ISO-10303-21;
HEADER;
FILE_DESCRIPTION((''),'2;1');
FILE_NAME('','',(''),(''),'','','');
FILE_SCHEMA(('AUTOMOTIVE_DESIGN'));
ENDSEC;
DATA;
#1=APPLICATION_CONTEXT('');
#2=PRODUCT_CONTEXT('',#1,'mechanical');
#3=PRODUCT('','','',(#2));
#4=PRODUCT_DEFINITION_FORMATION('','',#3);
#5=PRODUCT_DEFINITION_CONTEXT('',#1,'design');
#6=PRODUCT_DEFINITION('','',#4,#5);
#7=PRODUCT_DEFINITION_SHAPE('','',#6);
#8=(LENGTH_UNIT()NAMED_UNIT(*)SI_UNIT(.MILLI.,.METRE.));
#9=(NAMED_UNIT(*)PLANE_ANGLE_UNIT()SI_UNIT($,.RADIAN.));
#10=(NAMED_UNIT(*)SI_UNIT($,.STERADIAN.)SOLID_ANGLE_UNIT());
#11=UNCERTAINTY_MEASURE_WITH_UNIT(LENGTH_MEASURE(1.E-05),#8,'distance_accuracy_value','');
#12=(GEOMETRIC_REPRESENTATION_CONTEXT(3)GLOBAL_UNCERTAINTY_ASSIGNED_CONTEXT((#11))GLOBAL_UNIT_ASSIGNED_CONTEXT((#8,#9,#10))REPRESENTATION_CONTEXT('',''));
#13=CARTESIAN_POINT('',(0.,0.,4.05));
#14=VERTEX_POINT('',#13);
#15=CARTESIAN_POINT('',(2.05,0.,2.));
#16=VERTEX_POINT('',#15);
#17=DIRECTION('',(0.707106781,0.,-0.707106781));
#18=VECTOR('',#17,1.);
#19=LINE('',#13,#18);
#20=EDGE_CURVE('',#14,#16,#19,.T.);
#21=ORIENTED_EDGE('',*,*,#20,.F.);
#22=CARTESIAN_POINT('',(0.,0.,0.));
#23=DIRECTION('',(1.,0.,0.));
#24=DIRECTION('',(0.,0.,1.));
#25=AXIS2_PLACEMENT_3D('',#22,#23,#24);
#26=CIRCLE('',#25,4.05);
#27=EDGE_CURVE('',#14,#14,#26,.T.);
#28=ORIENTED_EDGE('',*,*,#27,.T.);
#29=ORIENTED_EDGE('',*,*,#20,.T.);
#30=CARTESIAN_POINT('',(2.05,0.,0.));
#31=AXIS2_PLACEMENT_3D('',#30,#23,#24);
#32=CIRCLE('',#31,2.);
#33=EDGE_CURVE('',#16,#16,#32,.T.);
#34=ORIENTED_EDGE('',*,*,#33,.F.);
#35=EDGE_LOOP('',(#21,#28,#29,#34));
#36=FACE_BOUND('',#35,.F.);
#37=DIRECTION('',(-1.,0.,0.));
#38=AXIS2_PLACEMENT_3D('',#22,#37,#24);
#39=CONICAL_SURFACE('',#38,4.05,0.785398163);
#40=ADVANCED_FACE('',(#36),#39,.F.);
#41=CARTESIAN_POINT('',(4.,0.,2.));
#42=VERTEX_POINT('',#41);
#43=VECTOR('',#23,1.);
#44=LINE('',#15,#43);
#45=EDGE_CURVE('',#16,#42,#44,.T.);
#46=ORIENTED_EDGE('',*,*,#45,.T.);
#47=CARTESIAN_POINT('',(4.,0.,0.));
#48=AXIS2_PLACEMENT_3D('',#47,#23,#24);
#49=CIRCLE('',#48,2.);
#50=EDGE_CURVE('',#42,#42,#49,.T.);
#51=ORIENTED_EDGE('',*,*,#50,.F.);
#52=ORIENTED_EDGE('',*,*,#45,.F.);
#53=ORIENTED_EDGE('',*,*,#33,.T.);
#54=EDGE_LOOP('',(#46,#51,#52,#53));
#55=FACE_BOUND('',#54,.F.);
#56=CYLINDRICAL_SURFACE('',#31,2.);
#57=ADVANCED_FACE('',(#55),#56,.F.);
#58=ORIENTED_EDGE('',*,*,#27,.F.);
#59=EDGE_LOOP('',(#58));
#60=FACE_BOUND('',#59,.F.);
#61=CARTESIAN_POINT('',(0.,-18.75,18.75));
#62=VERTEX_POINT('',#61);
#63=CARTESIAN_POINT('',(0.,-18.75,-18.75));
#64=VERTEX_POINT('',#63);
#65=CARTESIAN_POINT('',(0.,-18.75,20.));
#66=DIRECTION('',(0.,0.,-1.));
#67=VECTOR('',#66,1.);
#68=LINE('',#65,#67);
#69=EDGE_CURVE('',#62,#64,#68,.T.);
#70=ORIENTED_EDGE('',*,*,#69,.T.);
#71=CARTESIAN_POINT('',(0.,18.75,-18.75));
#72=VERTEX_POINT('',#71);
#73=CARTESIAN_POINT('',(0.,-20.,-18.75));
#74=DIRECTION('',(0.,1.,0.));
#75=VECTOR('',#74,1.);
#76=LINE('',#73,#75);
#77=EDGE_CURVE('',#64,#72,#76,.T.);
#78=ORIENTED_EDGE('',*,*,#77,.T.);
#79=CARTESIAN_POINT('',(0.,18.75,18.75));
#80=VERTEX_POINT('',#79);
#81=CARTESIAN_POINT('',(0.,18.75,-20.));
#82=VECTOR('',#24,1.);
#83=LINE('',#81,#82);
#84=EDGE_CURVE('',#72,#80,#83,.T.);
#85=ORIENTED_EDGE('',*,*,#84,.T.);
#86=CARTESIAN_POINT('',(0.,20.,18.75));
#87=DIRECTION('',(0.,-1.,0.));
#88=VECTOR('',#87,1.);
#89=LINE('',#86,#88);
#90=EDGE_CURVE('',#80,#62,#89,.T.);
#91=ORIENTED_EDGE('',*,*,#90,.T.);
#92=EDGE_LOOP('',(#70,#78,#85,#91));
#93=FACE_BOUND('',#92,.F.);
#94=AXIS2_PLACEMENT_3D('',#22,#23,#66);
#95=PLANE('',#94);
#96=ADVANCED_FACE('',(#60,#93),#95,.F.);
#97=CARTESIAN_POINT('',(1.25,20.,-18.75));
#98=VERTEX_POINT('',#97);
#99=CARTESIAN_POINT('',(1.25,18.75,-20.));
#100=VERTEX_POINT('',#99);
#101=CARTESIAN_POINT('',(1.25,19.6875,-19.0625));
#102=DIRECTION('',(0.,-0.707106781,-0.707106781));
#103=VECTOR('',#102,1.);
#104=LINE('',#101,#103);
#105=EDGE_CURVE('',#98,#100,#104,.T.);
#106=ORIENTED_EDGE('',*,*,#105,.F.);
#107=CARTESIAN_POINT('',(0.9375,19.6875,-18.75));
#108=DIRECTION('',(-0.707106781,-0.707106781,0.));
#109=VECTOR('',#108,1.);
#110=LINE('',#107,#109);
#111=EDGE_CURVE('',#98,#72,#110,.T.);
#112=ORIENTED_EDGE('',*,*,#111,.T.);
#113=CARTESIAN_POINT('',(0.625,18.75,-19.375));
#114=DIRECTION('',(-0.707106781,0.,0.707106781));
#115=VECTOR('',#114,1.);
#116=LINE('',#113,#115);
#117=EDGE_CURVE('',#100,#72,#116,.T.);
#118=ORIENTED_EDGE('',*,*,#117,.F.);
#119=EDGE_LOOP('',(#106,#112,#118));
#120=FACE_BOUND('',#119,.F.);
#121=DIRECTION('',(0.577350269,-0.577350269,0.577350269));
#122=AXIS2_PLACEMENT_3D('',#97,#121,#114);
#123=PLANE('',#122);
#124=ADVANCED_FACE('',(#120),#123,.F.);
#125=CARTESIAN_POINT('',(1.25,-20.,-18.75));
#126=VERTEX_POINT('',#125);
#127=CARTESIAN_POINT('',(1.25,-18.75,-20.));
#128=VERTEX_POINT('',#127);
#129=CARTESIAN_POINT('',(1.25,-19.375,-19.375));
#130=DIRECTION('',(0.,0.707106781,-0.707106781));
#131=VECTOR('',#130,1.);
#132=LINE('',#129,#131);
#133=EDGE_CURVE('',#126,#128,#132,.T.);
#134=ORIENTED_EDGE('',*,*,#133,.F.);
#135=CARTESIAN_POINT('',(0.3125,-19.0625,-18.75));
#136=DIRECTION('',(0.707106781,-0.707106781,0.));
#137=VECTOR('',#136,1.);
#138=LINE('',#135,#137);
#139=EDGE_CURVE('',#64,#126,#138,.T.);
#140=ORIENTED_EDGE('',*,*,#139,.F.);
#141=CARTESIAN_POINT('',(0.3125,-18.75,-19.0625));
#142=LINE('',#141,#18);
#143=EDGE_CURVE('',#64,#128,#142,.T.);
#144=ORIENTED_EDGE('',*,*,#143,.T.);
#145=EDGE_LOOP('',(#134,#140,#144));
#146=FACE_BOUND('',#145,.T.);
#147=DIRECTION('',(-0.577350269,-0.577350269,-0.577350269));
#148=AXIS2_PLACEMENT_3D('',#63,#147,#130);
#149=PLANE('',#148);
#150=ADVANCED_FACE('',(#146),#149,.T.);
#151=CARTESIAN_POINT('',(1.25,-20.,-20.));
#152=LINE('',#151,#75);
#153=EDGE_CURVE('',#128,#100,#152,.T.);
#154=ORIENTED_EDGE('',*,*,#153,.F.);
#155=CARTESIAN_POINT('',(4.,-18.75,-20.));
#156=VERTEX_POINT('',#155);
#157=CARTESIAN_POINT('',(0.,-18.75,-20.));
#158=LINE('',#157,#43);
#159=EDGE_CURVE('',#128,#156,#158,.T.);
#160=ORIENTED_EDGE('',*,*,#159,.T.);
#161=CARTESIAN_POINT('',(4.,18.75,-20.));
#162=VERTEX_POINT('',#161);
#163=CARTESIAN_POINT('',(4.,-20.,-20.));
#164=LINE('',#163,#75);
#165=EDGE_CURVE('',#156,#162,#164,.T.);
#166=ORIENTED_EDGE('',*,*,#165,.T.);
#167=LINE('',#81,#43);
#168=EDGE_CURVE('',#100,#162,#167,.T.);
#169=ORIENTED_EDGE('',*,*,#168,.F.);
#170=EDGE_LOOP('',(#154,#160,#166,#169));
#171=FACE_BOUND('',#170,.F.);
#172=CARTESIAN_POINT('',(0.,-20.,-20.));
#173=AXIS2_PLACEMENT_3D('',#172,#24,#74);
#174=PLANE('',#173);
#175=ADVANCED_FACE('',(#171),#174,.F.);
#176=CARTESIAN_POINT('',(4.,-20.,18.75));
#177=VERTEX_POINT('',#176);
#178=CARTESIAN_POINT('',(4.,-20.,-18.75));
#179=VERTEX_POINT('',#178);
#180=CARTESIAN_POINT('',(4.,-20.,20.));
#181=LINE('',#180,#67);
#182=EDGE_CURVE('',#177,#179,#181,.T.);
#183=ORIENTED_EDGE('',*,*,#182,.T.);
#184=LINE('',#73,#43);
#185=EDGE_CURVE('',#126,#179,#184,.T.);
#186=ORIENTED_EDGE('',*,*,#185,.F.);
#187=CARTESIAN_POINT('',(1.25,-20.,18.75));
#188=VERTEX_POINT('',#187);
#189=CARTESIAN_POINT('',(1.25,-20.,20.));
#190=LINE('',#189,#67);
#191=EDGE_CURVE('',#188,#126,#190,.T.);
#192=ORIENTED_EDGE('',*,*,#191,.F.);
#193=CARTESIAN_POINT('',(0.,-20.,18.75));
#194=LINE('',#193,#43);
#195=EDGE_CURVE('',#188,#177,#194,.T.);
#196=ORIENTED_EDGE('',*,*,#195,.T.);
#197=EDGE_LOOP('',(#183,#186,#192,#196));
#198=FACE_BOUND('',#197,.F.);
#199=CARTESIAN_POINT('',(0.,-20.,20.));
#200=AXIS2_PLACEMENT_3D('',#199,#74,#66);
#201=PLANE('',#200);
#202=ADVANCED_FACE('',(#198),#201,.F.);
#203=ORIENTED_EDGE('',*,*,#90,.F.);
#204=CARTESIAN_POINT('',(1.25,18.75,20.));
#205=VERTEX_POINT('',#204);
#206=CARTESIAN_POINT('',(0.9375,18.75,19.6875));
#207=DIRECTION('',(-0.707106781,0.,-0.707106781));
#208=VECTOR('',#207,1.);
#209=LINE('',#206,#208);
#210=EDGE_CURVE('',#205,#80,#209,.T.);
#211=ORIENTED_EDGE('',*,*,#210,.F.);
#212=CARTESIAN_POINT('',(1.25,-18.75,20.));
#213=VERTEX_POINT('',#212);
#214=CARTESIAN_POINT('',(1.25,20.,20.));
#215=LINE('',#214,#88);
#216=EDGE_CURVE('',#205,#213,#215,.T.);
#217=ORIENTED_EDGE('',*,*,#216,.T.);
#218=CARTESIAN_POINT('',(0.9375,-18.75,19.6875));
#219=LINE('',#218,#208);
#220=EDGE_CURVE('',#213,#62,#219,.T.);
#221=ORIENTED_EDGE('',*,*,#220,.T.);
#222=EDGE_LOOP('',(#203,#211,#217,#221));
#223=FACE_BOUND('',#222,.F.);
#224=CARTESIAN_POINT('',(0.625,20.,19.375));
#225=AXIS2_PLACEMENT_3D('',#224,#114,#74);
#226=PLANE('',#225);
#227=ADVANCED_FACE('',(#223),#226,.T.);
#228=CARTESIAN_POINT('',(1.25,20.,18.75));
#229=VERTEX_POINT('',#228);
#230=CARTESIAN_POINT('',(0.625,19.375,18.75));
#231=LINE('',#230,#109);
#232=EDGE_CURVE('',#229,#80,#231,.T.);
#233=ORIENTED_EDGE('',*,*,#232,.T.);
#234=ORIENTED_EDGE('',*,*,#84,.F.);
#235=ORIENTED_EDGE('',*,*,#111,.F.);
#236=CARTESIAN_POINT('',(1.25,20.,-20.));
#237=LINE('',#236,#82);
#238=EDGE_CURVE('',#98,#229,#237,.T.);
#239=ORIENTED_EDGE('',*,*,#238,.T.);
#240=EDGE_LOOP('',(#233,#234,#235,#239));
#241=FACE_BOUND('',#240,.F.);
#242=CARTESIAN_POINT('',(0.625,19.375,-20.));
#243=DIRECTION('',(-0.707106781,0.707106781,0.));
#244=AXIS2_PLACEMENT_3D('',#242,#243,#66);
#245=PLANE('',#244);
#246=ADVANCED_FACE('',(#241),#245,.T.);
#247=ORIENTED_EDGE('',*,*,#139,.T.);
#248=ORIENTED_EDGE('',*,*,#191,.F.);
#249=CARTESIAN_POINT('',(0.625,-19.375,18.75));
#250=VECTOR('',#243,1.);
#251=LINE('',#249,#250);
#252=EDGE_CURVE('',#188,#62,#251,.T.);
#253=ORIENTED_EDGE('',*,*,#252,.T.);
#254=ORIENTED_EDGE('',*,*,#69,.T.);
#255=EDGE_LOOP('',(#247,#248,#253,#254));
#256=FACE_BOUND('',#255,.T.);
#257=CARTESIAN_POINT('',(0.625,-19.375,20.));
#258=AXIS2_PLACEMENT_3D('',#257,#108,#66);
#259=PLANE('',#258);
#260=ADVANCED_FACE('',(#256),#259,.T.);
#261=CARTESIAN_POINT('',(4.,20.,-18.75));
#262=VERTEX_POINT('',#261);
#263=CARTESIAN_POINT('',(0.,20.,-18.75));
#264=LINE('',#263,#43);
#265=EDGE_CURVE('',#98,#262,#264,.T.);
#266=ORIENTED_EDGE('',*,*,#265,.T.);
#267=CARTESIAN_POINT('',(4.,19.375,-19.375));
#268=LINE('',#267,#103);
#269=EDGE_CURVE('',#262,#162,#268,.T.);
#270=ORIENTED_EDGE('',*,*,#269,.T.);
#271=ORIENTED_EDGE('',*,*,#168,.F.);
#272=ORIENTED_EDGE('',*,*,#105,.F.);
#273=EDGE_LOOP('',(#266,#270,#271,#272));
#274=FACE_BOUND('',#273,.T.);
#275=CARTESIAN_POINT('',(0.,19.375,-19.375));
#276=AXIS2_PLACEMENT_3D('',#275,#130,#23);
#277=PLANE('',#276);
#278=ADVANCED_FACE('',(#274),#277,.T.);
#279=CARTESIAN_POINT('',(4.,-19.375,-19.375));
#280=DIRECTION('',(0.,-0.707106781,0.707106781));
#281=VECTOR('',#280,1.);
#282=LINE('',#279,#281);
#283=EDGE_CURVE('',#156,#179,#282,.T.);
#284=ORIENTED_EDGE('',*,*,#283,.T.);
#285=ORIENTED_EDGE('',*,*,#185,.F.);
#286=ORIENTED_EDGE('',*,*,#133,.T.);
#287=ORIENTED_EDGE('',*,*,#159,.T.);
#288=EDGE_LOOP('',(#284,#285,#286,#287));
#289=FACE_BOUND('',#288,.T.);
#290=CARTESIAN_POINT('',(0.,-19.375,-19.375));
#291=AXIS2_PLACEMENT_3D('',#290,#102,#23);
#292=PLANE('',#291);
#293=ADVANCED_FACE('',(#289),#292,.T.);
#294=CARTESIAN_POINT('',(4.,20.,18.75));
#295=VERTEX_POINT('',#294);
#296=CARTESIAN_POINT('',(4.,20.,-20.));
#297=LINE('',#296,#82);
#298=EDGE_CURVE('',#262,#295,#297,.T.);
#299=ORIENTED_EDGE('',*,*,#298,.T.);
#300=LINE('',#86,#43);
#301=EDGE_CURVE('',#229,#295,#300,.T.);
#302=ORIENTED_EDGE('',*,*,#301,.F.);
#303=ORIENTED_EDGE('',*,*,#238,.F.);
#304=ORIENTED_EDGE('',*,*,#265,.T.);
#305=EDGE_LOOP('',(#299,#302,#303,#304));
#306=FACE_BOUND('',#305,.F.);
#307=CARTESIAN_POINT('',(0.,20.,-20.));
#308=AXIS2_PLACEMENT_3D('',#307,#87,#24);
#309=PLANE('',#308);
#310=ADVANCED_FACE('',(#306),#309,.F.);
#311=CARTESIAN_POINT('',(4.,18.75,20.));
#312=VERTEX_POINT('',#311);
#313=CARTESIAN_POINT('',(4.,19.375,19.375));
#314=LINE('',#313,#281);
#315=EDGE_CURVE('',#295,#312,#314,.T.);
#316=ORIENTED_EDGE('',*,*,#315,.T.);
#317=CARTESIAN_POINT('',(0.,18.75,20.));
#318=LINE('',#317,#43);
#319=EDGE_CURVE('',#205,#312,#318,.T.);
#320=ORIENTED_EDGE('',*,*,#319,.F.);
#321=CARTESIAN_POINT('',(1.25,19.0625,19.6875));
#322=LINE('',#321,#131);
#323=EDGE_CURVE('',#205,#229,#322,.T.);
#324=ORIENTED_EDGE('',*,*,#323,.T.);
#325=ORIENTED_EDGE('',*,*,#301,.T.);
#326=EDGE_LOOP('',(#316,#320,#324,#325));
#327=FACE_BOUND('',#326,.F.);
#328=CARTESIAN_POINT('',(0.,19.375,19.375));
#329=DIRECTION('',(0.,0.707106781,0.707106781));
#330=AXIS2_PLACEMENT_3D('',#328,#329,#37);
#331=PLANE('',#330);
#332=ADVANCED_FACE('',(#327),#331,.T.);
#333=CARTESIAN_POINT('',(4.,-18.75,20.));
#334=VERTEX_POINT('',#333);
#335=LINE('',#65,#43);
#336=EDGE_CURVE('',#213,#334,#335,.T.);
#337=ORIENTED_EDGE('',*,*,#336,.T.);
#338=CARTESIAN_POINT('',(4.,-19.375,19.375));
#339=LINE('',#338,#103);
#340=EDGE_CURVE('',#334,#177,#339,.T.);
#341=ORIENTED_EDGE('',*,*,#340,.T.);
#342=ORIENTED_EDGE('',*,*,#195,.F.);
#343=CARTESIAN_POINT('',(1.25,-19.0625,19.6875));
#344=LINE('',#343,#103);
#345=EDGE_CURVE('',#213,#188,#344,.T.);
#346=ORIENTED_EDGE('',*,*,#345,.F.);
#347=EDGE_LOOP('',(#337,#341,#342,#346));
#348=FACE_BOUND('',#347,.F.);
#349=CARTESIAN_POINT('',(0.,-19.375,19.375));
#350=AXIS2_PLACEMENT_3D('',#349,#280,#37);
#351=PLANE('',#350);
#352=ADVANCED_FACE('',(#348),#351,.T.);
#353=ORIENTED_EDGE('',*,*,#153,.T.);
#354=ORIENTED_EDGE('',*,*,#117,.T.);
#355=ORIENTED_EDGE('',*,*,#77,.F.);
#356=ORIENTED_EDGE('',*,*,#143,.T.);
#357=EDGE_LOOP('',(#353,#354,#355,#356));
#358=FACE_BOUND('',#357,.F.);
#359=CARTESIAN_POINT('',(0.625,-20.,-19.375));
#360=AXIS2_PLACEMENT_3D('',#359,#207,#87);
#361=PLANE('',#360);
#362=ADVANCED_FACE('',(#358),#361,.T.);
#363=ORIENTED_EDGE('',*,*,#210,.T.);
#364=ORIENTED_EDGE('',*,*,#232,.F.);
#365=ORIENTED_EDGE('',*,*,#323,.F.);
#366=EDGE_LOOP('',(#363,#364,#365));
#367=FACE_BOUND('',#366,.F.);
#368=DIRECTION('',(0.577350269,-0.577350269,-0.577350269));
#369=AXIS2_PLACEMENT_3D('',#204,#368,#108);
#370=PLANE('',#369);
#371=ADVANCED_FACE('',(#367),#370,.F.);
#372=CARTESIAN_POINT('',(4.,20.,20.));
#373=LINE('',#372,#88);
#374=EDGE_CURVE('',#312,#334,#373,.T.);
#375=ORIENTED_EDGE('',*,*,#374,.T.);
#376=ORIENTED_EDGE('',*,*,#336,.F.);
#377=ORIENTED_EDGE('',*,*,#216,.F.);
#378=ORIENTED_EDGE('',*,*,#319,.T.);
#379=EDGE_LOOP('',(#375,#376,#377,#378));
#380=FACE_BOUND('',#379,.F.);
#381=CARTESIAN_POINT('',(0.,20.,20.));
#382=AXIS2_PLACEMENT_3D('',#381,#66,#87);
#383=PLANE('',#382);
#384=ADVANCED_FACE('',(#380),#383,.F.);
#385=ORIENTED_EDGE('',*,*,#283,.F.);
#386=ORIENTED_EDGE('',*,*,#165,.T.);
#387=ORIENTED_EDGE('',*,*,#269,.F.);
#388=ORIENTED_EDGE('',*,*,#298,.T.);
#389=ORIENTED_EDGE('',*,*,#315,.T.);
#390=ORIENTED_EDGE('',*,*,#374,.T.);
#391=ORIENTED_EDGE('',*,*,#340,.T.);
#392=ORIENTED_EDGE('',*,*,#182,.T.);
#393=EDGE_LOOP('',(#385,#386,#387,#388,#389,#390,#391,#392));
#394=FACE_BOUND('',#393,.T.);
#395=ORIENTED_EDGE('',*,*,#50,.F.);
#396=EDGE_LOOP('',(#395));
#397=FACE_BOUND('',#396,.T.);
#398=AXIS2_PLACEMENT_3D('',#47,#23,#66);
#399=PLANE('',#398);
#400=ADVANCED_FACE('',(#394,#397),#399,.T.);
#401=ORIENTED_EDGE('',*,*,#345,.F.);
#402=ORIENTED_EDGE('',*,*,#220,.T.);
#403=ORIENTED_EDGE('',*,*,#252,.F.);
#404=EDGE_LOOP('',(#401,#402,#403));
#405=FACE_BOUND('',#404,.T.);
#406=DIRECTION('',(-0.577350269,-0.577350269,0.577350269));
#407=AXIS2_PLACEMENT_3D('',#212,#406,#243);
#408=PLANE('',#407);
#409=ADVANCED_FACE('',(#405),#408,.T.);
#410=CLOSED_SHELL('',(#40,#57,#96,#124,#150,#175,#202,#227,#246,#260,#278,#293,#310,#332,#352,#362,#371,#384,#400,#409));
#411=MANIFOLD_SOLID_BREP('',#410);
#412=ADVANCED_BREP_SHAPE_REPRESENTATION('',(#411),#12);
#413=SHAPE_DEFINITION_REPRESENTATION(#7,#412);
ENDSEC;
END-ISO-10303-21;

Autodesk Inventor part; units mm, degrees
sketch "Skizze_1" plane through (0, 0, 0) normal (1, 0, 0) x (0, 0, -1)
  line L0 (-20, 20) -> (-20, -20)
  line L1 (-20, -20) -> (20, -20)
  line L2 (20, -20) -> (20, 20)
  line L3 (20, 20) -> (-20, 20)
extrude "Extrusion1" add sketch "Skizze_1" along normal blind 4
sketch "Sketch2" plane through (0, 0, 0) normal (-1, 0, 0) x (0, 0, 1)
  point P0 (0, 0)
hole "Hole1" at (0, 0, 0) direction (1, 0, 0) diameter 4 depth 4 countersink diameter 8.1 countersink angle 90
ref_plane "CS_ANBAU_CAP_XY" through (0, 0, 0) normal (0, 1, 0) x (1, 0, 0)
ref_plane "CS_ANBAU_CAP_YZ" through (0, 0, 0) normal (1, 0, 0) x (0, 0, -1)
ref_plane "CS_ANBAU_CAP_ZX" through (0, 0, 0) normal (0, 0, -1) x (0, 1, 0)
ref_plane "CS_ANBAU_CAP_90_XY" through (0, 0, 0) normal (0, 0, 1) x (1, 0, 0)
ref_plane "CS_ANBAU_CAP_90_YZ" through (0, 0, 0) normal (1, 0, 0) x (0, 1, 0)
ref_plane "CS_ANBAU_CAP_90_ZX" through (0, 0, 0) normal (0, 1, 0) x (0, 0, 1)
ref_plane "IB_1_XY" through (0, 0, 0) normal (1, 0, 0) x (0, 0, -1)
ref_plane "IB_1_YZ" through (0, 0, 0) normal (0, 0, -1) x (0, 1, 0)
ref_plane "IB_1_ZX" through (0, 0, 0) normal (0, 1, 0) x (1, 0, 0)
ref_plane "IB_10_XY" through (0, -14, 10) normal (1, 0, 0) x (0, 0, -1)
ref_plane "IB_10_YZ" through (0, -14, 10) normal (0, 0, -1) x (0, 1, 0)
ref_plane "IB_10_ZX" through (0, -14, 10) normal (0, 1, 0) x (1, 0, 0)
ref_plane "IB_11_XY" through (0, 14, 10) normal (1, 0, 0) x (0, 0, -1)
ref_plane "IB_11_YZ" through (0, 14, 10) normal (0, 0, -1) x (0, 1, 0)
ref_plane "IB_11_ZX" through (0, 14, 10) normal (0, 1, 0) x (1, 0, 0)
ref_plane "IB_12_XY" through (0, 0, 0) normal (1, 0, 0) x (0, 0, -1)
ref_plane "IB_12_YZ" through (0, 0, 0) normal (0, 0, -1) x (0, 1, 0)
ref_plane "IB_12_ZX" through (0, 0, 0) normal (0, 1, 0) x (1, 0, 0)
ref_plane "IB_2_XY" through (0, 0, -10) normal (1, 0, 0) x (0, 0, -1)
ref_plane "IB_2_YZ" through (0, 0, -10) normal (0, 0, -1) x (0, 1, 0)
ref_plane "IB_2_ZX" through (0, 0, -10) normal (0, 1, 0) x (1, 0, 0)
ref_plane "IB_3_XY" through (0, 0, 10) normal (1, 0, 0) x (0, 0, -1)
ref_plane "IB_3_YZ" through (0, 0, 10) normal (0, 0, -1) x (0, 1, 0)
ref_plane "IB_3_ZX" through (0, 0, 10) normal (0, 1, 0) x (1, 0, 0)
ref_plane "IB_4_XY" through (0, 13.5, -13.5) normal (1, 0, 0) x (0, 0, -1)
ref_plane "IB_4_YZ" through (0, 13.5, -13.5) normal (0, 0, -1) x (0, 1, 0)
ref_plane "IB_4_ZX" through (0, 13.5, -13.5) normal (0, 1, 0) x (1, 0, 0)
ref_plane "IB_5_XY" through (0, 13.5, 13.5) normal (1, 0, 0) x (0, 0, -1)
ref_plane "IB_5_YZ" through (0, 13.5, 13.5) normal (0, 0, -1) x (0, 1, 0)
ref_plane "IB_5_ZX" through (0, 13.5, 13.5) normal (0, 1, 0) x (1, 0, 0)
ref_plane "IB_6_XY" through (0, 1.5, 6.5) normal (1, 0, 0) x (0, 0, -1)
ref_plane "IB_6_YZ" through (0, 1.5, 6.5) normal (0, 0, -1) x (0, 1, 0)
ref_plane "IB_6_ZX" through (0, 1.5, 6.5) normal (0, 1, 0) x (1, 0, 0)
ref_plane "IB_7_XY" through (0, 1.5, -6.5) normal (1, 0, 0) x (0, 0, -1)
ref_plane "IB_7_YZ" through (0, 1.5, -6.5) normal (0, 0, -1) x (0, 1, 0)
ref_plane "IB_7_ZX" through (0, 1.5, -6.5) normal (0, 1, 0) x (1, 0, 0)
ref_plane "IB_8_XY" through (0, -2, 14) normal (1, 0, 0) x (0, 0, -1)
ref_plane "IB_8_YZ" through (0, -2, 14) normal (0, 0, -1) x (0, 1, 0)
ref_plane "IB_8_ZX" through (0, -2, 14) normal (0, 1, 0) x (1, 0, 0)
ref_plane "IB_9_XY" through (0, -2, -14) normal (1, 0, 0) x (0, 0, -1)
ref_plane "IB_9_YZ" through (0, -2, -14) normal (0, 0, -1) x (0, 1, 0)
ref_plane "IB_9_ZX" through (0, -2, -14) normal (0, 1, 0) x (1, 0, 0)
chamfer "Chamfer1" distance 1.25 angle 45 8 edges at (2, -20, -20) (0, -20, 0) (0, 0, -20) (2, 20, -20) (0, 20, 0) (2, 20, 20) (2, -20, 20) (0, 0, 20)
properties part number "Robotunits CAP_4040_1" material "ABS PlastiK"
